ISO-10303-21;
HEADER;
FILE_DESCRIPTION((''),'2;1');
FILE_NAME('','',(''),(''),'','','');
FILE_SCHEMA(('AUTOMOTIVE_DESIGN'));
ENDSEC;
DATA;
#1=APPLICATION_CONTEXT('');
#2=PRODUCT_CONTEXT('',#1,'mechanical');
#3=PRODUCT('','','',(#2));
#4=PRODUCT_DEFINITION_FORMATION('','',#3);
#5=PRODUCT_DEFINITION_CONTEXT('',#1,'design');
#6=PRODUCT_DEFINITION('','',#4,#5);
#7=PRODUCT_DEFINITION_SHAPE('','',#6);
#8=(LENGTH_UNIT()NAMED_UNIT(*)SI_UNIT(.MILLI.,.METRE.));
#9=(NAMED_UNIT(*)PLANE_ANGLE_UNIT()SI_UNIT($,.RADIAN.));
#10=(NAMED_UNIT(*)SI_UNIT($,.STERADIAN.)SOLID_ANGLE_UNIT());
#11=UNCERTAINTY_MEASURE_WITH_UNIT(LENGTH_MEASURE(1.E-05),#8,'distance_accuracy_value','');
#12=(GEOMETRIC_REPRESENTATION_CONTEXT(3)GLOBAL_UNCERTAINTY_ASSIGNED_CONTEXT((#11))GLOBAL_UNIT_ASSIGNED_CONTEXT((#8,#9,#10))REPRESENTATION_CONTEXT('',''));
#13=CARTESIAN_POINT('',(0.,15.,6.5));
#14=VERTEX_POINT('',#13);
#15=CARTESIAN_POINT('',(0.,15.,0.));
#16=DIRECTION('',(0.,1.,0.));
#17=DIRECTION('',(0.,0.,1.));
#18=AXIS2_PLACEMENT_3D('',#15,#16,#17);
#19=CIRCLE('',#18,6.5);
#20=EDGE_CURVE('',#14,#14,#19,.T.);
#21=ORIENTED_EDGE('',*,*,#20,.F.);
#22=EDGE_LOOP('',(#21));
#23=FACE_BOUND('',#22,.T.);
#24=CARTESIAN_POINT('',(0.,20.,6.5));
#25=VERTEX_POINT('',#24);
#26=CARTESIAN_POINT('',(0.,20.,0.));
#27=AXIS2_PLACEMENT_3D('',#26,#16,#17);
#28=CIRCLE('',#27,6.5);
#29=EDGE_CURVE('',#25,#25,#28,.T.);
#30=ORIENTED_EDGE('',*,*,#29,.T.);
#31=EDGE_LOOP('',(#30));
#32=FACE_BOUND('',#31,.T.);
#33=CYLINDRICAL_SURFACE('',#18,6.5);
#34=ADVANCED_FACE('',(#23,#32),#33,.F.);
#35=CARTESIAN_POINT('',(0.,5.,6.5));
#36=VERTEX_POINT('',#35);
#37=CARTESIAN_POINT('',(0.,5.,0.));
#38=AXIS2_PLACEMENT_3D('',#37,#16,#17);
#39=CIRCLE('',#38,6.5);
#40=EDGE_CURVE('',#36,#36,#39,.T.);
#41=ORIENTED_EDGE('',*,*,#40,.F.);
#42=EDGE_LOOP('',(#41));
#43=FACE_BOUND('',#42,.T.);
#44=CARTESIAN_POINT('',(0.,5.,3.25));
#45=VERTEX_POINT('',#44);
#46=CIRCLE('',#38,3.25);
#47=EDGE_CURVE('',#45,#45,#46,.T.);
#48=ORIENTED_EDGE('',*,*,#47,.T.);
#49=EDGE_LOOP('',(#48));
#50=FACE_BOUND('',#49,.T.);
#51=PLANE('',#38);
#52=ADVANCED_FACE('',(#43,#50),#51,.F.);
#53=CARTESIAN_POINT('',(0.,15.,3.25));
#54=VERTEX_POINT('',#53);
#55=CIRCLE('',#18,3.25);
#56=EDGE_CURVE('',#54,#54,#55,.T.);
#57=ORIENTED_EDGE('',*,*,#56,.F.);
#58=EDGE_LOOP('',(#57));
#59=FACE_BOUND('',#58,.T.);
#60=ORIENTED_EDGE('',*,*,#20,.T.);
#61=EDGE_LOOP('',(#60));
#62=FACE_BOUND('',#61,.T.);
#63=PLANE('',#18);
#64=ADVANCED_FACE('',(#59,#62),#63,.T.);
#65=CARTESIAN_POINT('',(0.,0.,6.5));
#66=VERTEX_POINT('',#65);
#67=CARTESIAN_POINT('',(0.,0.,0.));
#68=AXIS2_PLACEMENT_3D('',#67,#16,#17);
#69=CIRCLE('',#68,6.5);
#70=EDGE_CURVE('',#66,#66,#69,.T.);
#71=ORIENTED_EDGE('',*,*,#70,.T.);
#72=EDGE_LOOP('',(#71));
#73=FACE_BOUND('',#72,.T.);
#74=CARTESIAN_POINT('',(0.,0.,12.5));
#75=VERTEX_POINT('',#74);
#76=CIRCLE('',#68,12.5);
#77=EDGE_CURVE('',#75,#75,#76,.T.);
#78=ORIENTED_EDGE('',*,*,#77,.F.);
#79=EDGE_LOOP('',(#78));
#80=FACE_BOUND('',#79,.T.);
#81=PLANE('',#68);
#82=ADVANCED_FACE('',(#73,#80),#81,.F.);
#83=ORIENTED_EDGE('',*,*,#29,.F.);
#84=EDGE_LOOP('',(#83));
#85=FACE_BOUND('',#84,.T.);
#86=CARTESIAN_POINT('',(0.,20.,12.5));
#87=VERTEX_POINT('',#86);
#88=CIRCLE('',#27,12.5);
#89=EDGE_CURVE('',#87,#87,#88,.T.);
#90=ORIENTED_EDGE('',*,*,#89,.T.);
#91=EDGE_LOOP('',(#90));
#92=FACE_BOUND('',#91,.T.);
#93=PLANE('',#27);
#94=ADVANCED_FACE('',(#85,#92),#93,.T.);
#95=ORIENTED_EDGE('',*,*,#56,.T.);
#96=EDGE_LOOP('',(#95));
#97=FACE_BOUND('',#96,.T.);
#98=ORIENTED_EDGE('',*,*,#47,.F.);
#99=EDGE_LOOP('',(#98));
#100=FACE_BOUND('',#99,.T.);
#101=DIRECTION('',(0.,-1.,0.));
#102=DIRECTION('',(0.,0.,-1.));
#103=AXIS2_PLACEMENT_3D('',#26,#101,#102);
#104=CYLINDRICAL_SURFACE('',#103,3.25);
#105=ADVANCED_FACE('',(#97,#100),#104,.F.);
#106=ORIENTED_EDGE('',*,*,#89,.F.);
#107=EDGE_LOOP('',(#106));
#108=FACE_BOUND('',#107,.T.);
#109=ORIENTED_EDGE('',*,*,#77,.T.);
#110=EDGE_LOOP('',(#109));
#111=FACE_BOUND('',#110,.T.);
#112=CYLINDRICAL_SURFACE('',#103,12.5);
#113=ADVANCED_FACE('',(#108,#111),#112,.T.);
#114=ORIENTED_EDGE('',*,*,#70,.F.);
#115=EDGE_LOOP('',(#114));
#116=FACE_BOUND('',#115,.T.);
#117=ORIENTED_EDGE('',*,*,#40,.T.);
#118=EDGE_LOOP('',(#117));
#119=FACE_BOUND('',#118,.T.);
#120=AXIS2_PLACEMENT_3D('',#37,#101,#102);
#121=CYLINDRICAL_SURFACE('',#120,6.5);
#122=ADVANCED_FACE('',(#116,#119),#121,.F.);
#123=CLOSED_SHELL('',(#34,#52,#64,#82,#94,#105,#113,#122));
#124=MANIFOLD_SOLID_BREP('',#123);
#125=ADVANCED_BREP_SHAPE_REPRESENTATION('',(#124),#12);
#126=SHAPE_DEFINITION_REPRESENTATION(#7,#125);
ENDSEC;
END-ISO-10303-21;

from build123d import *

# Parameters (mm, degrees)
SKETCH1_R           = 12.5
SKETCH1_R_2         = 3.25
BOSS_EXTRUDE1_DEPTH = 20
SKETCH2_R           = 6.5
CUT_EXTRUDE1_DEPTH  = 5
SKETCH3_R           = 6.5
CUT_EXTRUDE2_DEPTH  = 5


with BuildPart() as part:
    # Sketch1 → Boss-Extrude1 (new body)
    with BuildSketch(Plane(origin=(0, 0, 0), x_dir=(1, 0, 0), z_dir=(0, 1, 0))):
        Circle(SKETCH1_R)
        Circle(SKETCH1_R_2, mode=Mode.SUBTRACT)
    extrude(amount=BOSS_EXTRUDE1_DEPTH)

    # Sketch2 → Cut-Extrude1 (cut)
    with BuildSketch(Plane(origin=(0, 0, 0), x_dir=(1, 0, 0), z_dir=(0, 1, 0))):
        Circle(SKETCH2_R)
    extrude(amount=CUT_EXTRUDE1_DEPTH, mode=Mode.SUBTRACT)

    # Sketch3 → Cut-Extrude2 (cut)
    with BuildSketch(Plane(origin=(0, 20, 0), x_dir=(1, 0, 0), z_dir=(0, 1, 0))):
        Circle(SKETCH3_R)
    extrude(amount=-CUT_EXTRUDE2_DEPTH, mode=Mode.SUBTRACT)


solid = part.part
